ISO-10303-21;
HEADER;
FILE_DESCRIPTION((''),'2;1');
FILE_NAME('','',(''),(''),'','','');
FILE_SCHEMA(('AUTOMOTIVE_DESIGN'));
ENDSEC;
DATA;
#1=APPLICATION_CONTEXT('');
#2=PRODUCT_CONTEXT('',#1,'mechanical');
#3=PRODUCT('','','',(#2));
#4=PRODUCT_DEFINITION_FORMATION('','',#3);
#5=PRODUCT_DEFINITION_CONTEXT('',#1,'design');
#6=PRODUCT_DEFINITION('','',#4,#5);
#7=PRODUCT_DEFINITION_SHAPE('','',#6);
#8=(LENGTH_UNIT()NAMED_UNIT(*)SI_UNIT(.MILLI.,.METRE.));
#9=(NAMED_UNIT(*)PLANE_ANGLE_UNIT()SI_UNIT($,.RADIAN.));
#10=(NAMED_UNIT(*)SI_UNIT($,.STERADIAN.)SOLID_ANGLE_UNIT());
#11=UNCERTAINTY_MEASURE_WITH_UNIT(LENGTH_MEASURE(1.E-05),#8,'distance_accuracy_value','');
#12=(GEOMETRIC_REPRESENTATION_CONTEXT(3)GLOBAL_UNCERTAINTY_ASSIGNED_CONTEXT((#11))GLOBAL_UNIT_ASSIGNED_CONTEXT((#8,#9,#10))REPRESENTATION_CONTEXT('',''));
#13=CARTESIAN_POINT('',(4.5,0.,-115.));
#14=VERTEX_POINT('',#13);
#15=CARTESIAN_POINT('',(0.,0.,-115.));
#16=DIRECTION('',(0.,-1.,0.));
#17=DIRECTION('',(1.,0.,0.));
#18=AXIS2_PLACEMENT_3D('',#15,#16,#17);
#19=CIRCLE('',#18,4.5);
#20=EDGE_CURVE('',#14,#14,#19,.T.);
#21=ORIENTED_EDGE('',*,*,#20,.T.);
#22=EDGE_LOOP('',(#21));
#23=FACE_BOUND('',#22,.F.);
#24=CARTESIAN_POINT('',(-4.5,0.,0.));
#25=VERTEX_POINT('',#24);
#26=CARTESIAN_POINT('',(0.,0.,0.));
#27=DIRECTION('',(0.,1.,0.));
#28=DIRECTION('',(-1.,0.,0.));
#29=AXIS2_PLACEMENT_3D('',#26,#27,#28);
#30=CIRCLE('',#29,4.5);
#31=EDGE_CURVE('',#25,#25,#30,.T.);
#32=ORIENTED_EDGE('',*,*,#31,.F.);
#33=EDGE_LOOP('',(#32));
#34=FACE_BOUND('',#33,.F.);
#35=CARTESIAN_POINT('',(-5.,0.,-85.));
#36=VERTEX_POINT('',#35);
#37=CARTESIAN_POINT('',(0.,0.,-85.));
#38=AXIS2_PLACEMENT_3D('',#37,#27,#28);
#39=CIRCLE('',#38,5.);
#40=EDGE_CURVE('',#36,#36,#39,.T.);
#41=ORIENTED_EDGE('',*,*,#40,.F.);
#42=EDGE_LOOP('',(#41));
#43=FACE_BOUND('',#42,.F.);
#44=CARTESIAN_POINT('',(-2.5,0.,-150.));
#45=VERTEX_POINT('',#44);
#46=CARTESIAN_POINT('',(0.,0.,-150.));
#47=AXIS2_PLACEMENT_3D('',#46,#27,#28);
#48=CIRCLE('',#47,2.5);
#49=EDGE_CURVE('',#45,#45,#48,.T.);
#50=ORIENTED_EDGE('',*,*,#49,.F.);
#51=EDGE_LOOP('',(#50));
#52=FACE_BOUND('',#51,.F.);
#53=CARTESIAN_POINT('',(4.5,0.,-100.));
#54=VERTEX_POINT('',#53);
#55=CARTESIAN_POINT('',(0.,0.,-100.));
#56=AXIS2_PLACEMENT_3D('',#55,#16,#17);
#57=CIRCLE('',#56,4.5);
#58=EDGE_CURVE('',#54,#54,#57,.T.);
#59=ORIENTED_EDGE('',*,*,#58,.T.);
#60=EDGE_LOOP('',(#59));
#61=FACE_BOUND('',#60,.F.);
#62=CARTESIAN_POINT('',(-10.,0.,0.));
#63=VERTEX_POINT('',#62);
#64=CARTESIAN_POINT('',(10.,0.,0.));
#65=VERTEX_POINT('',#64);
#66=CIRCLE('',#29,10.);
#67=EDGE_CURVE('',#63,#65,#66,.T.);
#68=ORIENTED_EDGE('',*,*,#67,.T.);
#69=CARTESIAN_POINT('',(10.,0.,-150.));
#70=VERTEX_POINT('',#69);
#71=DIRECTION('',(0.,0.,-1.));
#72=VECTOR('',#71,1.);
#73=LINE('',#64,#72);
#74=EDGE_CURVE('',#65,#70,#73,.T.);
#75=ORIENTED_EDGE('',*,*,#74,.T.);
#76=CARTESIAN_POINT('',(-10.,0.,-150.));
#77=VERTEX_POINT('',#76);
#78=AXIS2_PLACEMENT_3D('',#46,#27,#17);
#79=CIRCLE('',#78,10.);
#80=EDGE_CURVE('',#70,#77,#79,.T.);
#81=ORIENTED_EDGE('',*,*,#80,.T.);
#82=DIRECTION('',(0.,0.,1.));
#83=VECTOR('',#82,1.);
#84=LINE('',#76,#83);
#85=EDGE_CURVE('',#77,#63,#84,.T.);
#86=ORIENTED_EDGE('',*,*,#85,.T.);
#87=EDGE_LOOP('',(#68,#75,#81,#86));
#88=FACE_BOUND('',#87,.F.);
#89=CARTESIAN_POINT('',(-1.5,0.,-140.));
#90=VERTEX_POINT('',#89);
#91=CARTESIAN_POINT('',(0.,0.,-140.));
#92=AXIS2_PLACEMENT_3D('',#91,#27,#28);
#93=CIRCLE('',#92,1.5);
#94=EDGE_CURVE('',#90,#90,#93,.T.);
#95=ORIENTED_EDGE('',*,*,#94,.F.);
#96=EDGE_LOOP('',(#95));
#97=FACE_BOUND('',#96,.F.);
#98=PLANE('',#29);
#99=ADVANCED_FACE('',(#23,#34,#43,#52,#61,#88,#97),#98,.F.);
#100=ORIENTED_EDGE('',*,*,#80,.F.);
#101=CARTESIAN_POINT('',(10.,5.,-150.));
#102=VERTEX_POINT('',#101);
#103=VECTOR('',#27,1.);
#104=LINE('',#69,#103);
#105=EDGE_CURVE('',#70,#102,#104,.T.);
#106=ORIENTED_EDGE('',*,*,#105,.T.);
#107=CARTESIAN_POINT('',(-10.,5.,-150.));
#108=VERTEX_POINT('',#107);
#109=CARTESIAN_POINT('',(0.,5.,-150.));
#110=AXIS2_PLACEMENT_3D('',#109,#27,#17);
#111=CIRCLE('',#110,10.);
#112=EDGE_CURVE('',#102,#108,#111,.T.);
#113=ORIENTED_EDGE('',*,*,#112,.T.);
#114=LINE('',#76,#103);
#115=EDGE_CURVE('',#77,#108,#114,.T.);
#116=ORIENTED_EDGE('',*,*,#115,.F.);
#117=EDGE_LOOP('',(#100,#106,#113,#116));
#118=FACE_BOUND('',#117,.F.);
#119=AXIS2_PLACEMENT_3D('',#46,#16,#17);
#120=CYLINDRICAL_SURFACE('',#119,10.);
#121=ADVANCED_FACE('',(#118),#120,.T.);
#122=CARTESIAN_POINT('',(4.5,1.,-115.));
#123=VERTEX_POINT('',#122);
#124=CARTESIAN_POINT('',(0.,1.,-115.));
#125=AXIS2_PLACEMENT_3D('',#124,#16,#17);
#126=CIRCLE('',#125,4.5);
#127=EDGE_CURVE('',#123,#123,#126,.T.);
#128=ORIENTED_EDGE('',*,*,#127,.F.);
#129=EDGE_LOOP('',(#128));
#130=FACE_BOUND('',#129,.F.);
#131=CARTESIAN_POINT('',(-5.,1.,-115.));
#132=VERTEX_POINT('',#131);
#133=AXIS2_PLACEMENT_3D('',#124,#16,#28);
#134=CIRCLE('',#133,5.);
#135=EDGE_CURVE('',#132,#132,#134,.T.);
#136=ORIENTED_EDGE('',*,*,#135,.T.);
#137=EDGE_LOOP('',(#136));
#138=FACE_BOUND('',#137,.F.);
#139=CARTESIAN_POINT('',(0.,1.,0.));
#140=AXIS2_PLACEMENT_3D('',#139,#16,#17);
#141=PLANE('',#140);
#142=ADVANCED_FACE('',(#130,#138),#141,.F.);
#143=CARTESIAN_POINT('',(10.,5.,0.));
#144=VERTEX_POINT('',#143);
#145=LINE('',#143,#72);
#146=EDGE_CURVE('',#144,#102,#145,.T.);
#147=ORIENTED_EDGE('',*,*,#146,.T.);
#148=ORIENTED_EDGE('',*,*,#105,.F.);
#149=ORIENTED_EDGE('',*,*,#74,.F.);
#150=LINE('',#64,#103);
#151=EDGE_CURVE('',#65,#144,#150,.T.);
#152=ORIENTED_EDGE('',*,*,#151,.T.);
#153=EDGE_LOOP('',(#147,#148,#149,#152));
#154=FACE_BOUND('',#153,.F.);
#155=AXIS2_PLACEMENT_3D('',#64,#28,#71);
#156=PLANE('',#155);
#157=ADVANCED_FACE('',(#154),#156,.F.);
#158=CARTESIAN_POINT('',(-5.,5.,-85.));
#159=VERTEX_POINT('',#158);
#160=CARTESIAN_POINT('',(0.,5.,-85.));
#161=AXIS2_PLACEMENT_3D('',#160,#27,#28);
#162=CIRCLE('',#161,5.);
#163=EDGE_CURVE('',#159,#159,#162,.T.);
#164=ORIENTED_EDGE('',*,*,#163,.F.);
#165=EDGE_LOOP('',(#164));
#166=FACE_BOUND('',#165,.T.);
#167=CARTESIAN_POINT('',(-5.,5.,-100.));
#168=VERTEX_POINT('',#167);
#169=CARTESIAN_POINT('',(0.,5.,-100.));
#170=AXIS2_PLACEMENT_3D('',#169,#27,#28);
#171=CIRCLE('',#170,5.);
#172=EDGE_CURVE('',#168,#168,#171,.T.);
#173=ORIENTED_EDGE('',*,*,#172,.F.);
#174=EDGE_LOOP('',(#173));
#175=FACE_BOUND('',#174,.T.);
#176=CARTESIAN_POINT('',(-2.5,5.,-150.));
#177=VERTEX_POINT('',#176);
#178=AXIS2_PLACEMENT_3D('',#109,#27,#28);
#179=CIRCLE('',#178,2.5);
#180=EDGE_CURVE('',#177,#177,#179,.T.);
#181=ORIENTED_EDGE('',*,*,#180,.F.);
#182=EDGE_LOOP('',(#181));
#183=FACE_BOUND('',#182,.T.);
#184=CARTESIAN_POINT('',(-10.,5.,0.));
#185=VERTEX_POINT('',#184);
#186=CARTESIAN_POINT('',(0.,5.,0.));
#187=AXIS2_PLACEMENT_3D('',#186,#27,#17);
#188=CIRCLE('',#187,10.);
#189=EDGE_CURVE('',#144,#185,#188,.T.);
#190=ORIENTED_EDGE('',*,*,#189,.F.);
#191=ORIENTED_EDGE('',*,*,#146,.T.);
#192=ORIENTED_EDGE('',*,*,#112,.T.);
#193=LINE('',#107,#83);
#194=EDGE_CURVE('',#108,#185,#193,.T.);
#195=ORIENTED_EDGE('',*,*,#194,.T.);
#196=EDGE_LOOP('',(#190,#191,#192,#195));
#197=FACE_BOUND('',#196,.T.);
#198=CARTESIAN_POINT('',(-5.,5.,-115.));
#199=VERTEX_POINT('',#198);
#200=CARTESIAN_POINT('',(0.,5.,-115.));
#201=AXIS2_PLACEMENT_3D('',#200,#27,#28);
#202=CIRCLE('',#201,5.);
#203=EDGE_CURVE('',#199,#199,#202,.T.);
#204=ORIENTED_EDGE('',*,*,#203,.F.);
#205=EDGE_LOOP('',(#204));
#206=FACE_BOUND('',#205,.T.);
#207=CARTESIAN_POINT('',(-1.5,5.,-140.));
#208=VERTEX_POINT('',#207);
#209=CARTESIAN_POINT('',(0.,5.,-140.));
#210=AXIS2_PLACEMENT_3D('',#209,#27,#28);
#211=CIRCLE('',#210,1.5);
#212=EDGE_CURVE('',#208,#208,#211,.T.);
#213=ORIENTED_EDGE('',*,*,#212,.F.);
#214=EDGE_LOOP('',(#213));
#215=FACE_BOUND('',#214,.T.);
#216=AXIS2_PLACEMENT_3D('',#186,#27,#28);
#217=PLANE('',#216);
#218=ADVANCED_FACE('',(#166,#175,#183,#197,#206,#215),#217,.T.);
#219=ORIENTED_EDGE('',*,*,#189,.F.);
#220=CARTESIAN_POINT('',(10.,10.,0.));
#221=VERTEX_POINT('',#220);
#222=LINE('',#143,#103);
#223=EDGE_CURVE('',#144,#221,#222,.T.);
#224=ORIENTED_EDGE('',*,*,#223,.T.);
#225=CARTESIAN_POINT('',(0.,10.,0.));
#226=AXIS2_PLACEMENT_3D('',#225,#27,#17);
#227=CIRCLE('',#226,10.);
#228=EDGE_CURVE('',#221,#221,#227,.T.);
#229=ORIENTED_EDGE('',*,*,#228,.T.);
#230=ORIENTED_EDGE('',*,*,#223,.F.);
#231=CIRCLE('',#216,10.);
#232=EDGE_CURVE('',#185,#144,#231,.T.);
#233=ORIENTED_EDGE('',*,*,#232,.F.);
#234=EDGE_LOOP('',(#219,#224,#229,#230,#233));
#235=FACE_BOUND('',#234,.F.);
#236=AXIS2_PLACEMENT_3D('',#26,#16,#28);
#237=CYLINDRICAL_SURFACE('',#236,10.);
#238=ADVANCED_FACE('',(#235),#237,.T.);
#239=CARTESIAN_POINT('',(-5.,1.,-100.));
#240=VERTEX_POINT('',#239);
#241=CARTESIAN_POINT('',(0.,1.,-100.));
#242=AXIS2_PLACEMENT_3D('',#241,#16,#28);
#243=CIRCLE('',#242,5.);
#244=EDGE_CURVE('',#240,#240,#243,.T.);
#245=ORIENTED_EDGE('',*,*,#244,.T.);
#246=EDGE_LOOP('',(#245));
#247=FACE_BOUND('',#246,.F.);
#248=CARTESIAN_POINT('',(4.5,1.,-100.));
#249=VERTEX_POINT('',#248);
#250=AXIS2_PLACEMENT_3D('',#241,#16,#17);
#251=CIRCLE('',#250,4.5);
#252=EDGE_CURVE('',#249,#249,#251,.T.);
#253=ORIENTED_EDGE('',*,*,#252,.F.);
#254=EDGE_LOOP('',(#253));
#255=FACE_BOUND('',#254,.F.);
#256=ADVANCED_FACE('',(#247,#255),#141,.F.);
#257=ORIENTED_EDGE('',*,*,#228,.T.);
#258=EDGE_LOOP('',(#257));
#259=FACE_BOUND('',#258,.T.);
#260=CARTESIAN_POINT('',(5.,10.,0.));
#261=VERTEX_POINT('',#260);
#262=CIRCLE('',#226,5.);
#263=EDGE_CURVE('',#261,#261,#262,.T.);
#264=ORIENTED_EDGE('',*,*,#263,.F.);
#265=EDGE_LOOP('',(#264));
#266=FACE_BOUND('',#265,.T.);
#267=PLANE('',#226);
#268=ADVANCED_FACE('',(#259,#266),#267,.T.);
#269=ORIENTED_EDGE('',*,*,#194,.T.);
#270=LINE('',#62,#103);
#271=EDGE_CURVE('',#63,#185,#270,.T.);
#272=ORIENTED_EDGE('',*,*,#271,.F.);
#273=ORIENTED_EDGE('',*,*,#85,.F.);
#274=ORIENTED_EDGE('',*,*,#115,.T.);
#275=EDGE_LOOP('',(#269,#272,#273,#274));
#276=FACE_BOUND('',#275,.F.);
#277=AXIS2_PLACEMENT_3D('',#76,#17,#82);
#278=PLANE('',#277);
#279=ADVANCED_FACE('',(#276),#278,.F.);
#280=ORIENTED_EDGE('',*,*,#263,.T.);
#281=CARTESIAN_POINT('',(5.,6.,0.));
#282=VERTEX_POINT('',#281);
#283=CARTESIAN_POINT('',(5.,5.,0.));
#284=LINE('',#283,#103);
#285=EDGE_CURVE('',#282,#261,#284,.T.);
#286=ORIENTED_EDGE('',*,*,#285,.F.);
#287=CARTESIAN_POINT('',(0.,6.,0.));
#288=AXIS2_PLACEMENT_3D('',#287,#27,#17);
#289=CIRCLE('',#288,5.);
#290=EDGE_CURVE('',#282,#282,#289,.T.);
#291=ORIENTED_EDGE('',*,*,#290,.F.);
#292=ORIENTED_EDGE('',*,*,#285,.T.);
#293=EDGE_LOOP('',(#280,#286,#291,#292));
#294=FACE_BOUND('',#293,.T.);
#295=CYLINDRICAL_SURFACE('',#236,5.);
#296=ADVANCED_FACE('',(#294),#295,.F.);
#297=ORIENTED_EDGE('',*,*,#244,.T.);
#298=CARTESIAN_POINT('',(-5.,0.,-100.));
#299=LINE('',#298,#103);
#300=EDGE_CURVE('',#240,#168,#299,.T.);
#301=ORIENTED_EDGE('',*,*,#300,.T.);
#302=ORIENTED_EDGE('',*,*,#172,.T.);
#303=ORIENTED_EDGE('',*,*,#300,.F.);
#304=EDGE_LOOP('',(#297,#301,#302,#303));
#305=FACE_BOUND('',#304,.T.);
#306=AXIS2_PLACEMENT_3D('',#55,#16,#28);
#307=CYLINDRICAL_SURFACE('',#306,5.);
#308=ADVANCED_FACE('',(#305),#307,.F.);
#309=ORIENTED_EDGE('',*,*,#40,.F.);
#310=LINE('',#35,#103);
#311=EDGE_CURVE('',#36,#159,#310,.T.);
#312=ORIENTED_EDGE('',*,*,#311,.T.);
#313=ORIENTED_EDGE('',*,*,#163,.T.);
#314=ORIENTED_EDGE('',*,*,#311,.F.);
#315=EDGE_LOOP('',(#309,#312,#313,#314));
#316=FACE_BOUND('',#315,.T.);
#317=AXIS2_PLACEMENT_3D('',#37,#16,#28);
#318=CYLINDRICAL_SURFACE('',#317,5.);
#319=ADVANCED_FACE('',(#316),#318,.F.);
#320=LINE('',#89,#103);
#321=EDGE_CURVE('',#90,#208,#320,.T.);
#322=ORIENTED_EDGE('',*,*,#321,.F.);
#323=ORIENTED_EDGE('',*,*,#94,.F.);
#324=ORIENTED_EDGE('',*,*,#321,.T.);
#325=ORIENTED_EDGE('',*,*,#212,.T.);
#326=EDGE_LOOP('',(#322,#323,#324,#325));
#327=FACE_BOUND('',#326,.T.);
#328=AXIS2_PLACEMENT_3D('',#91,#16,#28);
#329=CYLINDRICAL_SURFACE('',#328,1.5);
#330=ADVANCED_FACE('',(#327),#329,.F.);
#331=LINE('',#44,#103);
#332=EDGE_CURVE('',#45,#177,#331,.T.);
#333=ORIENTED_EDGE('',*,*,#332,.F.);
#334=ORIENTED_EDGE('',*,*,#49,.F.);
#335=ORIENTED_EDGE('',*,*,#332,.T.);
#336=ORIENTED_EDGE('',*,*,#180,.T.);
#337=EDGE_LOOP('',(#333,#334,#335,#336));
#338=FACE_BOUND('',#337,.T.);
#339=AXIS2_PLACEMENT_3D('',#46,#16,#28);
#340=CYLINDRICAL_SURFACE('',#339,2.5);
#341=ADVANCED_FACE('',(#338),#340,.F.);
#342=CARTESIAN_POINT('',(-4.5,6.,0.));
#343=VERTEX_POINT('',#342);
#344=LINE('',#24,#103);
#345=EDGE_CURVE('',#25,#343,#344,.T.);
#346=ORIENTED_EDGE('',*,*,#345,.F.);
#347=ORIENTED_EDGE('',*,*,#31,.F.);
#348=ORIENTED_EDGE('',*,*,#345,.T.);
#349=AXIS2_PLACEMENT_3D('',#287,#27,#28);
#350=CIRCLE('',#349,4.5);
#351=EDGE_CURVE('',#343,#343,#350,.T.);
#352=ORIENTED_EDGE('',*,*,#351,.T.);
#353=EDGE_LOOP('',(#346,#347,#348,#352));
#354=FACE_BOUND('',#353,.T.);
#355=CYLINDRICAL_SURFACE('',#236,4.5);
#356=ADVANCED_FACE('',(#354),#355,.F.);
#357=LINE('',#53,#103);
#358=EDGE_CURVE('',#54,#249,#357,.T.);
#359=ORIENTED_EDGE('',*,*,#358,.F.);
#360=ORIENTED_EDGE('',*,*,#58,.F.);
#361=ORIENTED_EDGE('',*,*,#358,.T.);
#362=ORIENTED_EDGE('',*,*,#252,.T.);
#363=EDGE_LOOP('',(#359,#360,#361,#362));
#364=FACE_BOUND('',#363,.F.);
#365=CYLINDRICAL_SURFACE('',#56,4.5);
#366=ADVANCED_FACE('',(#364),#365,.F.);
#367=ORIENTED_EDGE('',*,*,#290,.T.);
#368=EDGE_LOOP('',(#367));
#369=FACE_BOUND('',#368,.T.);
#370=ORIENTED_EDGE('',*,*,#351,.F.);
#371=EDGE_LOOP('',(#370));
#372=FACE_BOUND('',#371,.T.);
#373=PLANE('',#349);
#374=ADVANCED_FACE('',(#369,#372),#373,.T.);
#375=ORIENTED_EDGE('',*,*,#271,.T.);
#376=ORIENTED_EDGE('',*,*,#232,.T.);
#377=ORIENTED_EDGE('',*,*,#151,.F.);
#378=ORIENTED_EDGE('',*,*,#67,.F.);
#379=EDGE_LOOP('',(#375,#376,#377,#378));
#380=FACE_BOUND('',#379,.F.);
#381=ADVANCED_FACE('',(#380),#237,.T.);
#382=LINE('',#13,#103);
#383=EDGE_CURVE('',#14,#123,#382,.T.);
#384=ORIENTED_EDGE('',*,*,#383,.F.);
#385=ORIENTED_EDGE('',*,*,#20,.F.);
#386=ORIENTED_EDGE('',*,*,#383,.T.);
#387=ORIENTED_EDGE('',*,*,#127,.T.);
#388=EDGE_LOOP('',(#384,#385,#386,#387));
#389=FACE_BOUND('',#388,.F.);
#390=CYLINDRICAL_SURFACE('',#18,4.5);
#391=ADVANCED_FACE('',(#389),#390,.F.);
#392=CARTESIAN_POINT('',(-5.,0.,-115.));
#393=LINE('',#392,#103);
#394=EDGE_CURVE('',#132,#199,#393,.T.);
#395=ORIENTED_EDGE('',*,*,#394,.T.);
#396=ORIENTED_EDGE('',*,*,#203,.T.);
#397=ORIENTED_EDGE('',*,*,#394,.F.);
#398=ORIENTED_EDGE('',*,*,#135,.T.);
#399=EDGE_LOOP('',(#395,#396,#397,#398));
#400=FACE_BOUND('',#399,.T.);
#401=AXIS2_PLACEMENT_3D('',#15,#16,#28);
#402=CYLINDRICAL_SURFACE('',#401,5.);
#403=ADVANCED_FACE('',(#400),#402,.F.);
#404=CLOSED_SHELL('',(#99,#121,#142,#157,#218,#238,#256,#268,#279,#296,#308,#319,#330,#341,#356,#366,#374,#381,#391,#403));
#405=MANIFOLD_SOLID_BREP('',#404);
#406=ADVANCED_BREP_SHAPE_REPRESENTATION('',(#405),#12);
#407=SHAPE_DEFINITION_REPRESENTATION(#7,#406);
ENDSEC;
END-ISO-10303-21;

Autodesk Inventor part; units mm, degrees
ref_plane "YZ Plane" through (0, 0, 0) normal (1, 0, 0) x (0, 1, 0)
ref_plane "XZ Plane" through (0, 0, 0) normal (0, 1, 0) x (-1, 0, 0)
ref_plane "XY Plane" through (0, 0, 0) normal (0, 0, 1) x (1, 0, 0)
sketch "Skizze3" plane through (0, 0, 0) normal (0, 1, 0) x (-1, 0, 0)
  line L0 (0, 0) -> (0, -150) construction
  line L1 (-10, 0) -> (-10, -150)
  line L2 (10, -150) -> (10, 0)
  arc A0 (10, 0) -> (-10, 0) centre (0, 0) ccw
  arc A1 (-10, -150) -> (10, -150) centre (0, -150) ccw
  circle A2 centre (0, 0) radius 5
  circle A3 centre (0, -150) radius 2.5
  circle A4 centre (0, -140) radius 1.5
  circle A5 centre (0, -115) radius 5
  circle A6 centre (0, -100) radius 5
  circle A7 centre (0, 0) radius 4.5
  circle A8 centre (0, -85) radius 5
  point P0 (0, -75)
  dimension "d4" = 150
  dimension "d5" = 10
  dimension "d6" = 10
  dimension "d7" = 5
  dimension "d8" = 3
  dimension "d9" = 10
  dimension "d12" = 10
  dimension "d13" = 10
  dimension "d15" = 15
  dimension "d27" = 9
  dimension "d34" = 115
  dimension "d35" = 15
extrude "Extrusion3" add sketch "Skizze3" along normal blind 5 contours A0 L2 A1 L1
sketch "Skizze4" plane through (0, 5, 0) normal (0, 1, 0) x (1, 0, 0)
  circle A0 centre (0, 0) radius 5 projected
  circle A1 centre (0, 0) radius 10
  dimension "d18" = 20
extrude "Extrusion4" add sketch "Skizze4" along normal blind 5
extrude "Extrusion5" add sketch "Skizze3" along normal blind 6 contours A2
sketch "Skizze5" plane through (0, 0, 0) normal (0, -1, 0) x (1, 0, 0)
  circle A0 centre (0, -130) radius 5 projected
  circle A1 centre (0, -100) radius 5 projected
  circle A2 centre (0, -115) radius 5 projected
  circle A3 centre (0, -100) radius 4.5
  circle A4 centre (0, -115) radius 4.5
  circle A5 centre (0, -130) radius 4.5
  point P0 (0, 0)
  point P1 (-1.5, -140)
  point P2 (-1.5, -140)
  dimension "d28" = 9
  dimension "d29" = 9
  dimension "d30" = 9
extrude "Extrusion7" add sketch "Skizze5" against normal blind 1 contours A1 | A2
equation "\"d4\" = Gelenk_Stifthalter"
equation "\"d35\" = d15"
equation "\"Gelenk_Stifthalter\" = 150"
properties part number "BT303_trajan20_21" material "Kunststoff, undurchsichtig Schwarz"
